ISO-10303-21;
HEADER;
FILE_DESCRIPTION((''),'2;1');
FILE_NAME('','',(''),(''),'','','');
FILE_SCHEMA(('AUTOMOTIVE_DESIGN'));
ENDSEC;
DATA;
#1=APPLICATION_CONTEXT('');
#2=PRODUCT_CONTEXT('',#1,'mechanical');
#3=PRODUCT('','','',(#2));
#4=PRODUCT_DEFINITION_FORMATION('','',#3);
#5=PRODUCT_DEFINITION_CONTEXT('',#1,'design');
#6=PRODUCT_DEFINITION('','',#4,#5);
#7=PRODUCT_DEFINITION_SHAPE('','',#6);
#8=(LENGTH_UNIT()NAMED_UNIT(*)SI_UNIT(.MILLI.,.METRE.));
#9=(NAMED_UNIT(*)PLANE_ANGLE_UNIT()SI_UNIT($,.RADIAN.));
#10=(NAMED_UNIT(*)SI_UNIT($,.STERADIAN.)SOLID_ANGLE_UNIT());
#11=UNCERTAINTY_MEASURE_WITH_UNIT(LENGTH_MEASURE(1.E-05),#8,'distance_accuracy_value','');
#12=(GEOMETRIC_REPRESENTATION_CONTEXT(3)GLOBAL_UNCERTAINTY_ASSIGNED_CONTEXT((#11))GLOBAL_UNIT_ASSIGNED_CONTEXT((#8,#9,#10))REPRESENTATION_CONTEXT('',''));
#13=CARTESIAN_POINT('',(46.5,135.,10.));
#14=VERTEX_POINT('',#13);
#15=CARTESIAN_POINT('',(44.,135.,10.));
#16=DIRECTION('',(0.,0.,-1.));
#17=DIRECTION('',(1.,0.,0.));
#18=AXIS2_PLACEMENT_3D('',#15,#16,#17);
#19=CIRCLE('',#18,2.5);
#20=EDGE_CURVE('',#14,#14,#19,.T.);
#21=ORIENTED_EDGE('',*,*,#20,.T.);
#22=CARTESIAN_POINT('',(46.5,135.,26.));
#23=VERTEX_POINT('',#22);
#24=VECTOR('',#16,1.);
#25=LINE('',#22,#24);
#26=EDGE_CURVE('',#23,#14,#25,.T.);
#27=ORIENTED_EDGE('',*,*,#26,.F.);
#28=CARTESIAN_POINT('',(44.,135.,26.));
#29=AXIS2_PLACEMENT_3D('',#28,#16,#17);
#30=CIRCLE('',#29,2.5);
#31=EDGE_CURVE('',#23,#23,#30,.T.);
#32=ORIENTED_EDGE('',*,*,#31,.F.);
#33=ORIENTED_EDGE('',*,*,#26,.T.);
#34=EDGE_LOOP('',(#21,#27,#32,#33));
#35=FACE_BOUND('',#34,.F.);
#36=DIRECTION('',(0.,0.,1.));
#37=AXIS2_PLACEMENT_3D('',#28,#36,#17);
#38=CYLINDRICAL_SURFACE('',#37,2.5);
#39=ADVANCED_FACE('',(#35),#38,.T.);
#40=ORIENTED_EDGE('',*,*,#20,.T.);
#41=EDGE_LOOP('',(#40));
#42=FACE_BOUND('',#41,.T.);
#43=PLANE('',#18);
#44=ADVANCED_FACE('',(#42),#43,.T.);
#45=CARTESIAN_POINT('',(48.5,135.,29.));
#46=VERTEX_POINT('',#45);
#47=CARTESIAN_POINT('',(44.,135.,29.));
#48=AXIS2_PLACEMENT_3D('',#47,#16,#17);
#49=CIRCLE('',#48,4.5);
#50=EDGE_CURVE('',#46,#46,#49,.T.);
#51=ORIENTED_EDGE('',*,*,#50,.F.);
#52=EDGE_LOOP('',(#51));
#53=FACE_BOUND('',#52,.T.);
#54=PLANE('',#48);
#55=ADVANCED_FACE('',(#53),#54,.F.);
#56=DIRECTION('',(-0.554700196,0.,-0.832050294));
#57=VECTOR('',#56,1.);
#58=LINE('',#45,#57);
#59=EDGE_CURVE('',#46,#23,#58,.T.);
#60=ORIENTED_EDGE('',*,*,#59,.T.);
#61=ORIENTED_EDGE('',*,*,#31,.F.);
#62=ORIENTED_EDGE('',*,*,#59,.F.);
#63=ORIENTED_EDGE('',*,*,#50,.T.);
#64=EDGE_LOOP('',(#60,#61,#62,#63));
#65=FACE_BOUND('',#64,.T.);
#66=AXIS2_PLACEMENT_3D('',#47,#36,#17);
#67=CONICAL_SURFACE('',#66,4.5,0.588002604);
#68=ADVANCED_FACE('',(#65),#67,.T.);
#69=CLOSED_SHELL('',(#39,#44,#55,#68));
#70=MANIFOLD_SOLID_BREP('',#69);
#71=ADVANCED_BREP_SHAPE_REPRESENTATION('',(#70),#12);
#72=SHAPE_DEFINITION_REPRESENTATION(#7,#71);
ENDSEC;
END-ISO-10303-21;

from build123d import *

# Parameters (mm, degrees)
CYLINDER011_R                   = 2.5
CYLINDER011_DEPTH               = 16
FUSION001018017_PLACEMENT_ANGLE = 180
CLONE024_PLACEMENT_ANGLE        = 180


with BuildPart() as cone003:
    # Cone003 → Cone003 (revolve)
    with BuildSketch(Plane(origin=(0, 0, -3), x_dir=(1, 0, 0), z_dir=(0, -1, 0))):
        Polygon((0, 0), (4.5, 0), (2.5, 3), (0, 3), align=None)
    revolve(axis=Axis((0, 0, -3), (0, 0, 1)))


with BuildPart() as m5x16_senkkopf017:
    # Cylinder011 → Cylinder011 (new body)
    with BuildSketch(Plane.XY):
        Circle(CYLINDER011_R)
    extrude(amount=CYLINDER011_DEPTH)

    # Fusion001018017: union Cone003
    add(cone003.part)


with BuildPart() as m5x16_senkkopf017_1:
    # Fusion001018017 placement: moved
    add(m5x16_senkkopf017.part.moved(Location((45, 15, 21))).rotate(Axis((45, 15, 21), (0, 1, 0)), FUSION001018017_PLACEMENT_ANGLE))


with BuildPart() as m5x16_senkkopf017_2:
    # Clone024 placement: moved
    add(m5x16_senkkopf017_1.part.moved(Location((90, 270, 0))).rotate(Axis((90, 270, 0), (0, 0, 1)), CLONE024_PLACEMENT_ANGLE))


with BuildPart() as m5x16_senkkopf017_3:
    # Clone032 placement: moved
    add(m5x16_senkkopf017_2.part.moved(Location((270, 0, 0))))


with BuildPart() as m5x16_senkkopf017_4:
    # Clone033 placement: moved
    add(m5x16_senkkopf017_3.part.moved(Location((-271, -120, 5))))


solid = m5x16_senkkopf017_4.part
